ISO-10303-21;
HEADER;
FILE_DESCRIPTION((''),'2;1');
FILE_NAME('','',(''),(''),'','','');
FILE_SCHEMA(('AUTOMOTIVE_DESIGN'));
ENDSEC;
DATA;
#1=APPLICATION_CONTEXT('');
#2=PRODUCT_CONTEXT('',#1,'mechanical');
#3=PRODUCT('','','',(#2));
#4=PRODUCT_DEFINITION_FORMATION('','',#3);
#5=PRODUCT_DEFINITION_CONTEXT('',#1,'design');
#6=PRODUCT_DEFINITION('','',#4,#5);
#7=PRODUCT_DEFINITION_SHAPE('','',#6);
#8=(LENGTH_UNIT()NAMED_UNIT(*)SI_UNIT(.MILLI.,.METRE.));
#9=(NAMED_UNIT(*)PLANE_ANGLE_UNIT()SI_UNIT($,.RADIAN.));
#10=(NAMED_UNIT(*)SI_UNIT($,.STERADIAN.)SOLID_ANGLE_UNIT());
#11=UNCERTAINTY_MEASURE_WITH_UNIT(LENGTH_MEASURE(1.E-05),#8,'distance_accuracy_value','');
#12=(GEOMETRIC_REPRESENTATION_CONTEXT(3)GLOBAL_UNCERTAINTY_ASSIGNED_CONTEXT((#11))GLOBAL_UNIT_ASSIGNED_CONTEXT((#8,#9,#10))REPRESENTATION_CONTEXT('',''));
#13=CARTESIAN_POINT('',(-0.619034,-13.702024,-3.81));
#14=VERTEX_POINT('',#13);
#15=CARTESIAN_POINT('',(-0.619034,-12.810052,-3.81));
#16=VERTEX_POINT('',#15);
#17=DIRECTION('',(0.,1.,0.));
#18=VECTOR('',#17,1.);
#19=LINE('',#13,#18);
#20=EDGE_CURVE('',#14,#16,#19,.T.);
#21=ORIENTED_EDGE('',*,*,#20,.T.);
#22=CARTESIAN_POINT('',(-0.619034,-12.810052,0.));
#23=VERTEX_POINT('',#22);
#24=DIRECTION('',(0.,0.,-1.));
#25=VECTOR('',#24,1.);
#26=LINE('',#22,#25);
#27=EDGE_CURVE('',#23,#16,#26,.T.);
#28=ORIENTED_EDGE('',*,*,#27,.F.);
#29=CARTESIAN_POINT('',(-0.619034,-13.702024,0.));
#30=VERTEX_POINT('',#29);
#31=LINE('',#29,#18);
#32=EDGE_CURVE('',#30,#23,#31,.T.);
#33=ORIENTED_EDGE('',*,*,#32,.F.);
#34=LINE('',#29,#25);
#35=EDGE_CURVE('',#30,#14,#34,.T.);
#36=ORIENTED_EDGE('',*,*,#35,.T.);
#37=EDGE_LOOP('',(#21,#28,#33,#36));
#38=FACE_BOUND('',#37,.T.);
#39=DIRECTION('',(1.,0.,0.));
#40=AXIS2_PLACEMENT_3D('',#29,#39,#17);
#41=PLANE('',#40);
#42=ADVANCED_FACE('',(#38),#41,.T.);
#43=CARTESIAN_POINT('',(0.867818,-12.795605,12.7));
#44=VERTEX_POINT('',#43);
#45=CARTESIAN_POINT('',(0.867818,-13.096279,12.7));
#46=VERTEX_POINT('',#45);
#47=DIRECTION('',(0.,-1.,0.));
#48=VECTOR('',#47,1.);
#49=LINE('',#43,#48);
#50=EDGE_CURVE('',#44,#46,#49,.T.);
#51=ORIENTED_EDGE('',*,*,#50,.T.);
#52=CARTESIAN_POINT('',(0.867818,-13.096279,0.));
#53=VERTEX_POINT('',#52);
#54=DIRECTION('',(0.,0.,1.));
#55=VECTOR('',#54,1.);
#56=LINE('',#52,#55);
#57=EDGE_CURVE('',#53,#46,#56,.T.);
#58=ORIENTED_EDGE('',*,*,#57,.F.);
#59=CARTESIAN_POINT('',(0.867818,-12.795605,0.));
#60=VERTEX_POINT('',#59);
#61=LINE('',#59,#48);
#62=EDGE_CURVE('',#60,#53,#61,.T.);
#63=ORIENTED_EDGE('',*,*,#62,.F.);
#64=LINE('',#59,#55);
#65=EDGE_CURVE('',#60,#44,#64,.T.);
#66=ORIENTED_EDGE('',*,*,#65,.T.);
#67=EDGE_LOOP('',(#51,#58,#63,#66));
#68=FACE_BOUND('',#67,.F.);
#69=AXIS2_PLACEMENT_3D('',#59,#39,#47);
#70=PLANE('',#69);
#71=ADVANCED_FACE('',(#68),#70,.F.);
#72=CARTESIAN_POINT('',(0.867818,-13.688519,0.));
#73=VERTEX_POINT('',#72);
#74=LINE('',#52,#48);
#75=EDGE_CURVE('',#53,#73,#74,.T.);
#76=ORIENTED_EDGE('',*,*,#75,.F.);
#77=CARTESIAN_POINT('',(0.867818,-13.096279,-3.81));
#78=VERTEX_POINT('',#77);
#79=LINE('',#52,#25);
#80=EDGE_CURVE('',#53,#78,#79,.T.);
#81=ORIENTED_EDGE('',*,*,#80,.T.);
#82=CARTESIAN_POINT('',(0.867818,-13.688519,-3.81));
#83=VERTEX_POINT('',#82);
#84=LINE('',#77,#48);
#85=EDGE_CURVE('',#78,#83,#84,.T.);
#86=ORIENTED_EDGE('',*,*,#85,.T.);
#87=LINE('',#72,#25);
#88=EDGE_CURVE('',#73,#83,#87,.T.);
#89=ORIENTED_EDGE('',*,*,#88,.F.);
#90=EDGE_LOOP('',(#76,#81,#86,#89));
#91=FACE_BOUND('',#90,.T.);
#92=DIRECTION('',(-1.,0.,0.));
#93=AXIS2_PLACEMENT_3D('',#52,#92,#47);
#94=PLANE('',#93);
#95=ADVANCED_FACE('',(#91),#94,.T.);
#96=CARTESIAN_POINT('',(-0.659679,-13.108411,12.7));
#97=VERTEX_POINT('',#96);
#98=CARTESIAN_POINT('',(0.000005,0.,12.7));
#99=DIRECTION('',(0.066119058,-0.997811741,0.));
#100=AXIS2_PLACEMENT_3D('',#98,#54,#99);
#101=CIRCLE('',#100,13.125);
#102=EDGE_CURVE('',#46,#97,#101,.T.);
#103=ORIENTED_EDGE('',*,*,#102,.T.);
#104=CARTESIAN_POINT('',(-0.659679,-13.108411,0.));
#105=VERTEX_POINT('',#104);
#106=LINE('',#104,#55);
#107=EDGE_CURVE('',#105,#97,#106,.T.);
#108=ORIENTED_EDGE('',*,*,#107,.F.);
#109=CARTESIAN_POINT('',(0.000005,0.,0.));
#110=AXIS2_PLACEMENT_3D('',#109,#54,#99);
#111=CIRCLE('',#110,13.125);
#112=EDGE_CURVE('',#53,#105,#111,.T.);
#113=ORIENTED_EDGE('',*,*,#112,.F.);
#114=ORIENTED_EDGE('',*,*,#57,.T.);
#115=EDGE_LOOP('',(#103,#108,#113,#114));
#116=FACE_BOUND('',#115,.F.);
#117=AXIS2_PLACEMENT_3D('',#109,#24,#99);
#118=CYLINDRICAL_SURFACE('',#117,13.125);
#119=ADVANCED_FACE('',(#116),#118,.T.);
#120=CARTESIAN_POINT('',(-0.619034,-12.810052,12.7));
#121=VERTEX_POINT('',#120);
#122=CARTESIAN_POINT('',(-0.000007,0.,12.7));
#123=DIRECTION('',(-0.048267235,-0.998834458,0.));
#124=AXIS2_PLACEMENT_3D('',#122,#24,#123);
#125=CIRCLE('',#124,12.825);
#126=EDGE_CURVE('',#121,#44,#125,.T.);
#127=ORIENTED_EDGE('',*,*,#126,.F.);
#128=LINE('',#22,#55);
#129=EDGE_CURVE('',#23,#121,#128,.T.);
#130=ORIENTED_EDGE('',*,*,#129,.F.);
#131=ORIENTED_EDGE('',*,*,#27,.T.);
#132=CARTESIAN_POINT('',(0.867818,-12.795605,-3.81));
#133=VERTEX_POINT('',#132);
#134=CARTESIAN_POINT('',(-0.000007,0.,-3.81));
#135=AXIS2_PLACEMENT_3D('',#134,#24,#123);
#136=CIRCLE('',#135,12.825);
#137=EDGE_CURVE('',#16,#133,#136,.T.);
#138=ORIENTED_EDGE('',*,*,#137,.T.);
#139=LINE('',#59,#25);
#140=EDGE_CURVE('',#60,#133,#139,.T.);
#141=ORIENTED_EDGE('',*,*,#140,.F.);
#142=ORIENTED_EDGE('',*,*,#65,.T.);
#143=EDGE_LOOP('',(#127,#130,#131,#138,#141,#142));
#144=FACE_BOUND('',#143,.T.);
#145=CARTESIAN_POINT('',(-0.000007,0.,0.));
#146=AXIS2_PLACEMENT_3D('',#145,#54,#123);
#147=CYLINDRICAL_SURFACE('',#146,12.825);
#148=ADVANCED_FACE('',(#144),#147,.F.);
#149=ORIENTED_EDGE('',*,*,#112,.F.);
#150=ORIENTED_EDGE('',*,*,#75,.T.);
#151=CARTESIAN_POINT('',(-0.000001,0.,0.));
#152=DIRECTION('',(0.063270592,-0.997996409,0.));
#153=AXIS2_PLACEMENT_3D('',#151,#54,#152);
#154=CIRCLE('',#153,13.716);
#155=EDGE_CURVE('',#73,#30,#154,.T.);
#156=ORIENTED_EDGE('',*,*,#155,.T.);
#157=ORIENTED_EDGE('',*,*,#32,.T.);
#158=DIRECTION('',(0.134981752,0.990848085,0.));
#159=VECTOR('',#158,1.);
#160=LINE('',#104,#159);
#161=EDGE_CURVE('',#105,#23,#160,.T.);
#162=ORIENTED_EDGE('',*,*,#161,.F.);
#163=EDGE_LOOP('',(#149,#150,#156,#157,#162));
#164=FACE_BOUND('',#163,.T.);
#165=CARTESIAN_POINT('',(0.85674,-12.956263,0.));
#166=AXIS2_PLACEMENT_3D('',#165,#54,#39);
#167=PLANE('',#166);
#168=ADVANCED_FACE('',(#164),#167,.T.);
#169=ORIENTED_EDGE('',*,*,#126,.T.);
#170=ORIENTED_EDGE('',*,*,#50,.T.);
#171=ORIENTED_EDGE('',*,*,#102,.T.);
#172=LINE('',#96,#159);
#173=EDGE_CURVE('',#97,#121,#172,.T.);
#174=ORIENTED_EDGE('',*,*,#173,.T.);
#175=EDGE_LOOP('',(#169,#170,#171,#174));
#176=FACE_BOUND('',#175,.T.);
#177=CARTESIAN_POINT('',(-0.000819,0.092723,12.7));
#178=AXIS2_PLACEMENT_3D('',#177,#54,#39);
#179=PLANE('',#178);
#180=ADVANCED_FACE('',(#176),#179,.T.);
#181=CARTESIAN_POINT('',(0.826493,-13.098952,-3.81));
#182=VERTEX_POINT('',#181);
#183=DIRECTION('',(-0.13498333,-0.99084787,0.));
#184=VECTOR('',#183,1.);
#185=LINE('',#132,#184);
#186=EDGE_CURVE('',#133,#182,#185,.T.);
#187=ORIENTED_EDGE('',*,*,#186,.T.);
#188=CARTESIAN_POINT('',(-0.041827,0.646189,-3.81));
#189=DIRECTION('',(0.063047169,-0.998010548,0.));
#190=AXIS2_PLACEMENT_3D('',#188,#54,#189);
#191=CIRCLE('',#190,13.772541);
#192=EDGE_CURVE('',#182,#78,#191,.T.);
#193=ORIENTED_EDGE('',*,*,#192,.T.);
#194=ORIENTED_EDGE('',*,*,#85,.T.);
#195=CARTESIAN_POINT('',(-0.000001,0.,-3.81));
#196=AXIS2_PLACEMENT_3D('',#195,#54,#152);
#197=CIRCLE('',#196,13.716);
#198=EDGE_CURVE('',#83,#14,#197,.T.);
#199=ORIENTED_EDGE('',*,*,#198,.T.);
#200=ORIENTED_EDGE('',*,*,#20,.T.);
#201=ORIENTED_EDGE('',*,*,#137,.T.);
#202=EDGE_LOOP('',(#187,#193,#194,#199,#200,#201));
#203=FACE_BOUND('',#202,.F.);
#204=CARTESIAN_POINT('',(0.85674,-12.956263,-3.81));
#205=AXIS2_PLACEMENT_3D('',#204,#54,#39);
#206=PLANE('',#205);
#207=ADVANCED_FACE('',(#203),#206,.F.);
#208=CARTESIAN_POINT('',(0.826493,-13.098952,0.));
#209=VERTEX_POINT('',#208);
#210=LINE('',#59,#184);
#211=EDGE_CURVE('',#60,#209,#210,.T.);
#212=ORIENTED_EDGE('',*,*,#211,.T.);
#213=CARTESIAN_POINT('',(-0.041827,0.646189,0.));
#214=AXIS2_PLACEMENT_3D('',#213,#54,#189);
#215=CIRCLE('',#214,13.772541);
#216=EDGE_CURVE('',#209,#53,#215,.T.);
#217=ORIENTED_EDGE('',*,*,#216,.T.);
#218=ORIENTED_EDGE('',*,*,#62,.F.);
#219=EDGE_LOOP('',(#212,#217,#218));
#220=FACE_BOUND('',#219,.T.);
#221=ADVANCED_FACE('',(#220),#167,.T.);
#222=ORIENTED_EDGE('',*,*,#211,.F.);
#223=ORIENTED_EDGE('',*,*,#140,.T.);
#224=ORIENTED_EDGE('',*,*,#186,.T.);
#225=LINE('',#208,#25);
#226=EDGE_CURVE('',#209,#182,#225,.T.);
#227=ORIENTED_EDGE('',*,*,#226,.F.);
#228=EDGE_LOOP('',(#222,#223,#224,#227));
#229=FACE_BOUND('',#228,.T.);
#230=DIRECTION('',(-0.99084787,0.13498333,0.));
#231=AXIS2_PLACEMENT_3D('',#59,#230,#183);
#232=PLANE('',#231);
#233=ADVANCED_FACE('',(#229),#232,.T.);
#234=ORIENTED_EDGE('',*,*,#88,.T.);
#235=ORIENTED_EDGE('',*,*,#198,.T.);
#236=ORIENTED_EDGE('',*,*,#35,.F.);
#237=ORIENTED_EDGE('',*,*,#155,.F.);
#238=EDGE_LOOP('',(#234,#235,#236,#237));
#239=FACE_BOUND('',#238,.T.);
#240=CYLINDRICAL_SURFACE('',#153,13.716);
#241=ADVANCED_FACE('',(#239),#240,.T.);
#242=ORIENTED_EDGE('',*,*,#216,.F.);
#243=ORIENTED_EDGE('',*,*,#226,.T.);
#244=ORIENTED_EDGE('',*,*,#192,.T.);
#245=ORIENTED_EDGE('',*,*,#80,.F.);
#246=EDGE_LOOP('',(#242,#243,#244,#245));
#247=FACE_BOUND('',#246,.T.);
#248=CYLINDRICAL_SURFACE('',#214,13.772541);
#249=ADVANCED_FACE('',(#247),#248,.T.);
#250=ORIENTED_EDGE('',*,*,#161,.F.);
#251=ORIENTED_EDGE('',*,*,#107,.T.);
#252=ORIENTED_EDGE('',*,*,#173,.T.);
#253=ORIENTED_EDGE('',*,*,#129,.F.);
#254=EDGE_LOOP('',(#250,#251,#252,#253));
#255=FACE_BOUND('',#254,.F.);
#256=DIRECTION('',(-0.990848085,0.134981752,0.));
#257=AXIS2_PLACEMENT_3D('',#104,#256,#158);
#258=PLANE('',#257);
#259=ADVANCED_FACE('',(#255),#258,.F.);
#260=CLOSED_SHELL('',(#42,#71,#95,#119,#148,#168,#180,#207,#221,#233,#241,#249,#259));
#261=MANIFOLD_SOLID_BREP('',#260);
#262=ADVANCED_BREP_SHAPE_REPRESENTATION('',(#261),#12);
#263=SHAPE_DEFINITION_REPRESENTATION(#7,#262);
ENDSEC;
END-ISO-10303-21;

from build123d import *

# Parameters (mm, degrees)
F1_DEPTH = 12.7
F2_DEPTH = 3.81


with BuildPart() as f1:
    # F0 (on Top) → F1 (new body)
    with BuildSketch(Plane.XY):
        with BuildLine():
            ThreePointArc((-0.619034, -12.810052), (-0.124602, 12.824395), (0.867818, -12.795605))
            Line((0.867818, -12.795605), (0.867818, -13.096279))
            ThreePointArc((0.867818, -13.096279), (-0.104246, 13.124586), (-0.659679, -13.108411))
            Line((-0.659679, -13.108411), (-0.619034, -12.810052))
        make_face()
    extrude(amount=F1_DEPTH)

    # F0 (on Top) → F2 (join)
    with BuildSketch(Plane.XY):
        with BuildLine():
            Line((0.867818, -13.096279), (0.867818, -12.795605))
            Line((0.867818, -12.795605), (0.826493, -13.098952))
            ThreePointArc((0.826493, -13.098952), (0.847157, -13.097631), (0.867818, -13.096279))
        make_face()
        with BuildLine():
            ThreePointArc((-0.619034, -12.810052), (-0.124602, 12.824395), (0.867818, -12.795605))
            Line((0.867818, -12.795605), (0.867818, -13.096279))
            ThreePointArc((0.867818, -13.096279), (-0.104246, 13.124586), (-0.659679, -13.108411))
            Line((-0.659679, -13.108411), (-0.619034, -12.810052))
        make_face()
        with BuildLine():
            Line((-0.619034, -13.702024), (-0.619034, -12.810052))
            Line((-0.619034, -12.810052), (-0.659679, -13.108411))
            ThreePointArc((-0.659679, -13.108411), (-0.104246, 13.124586), (0.867818, -13.096279))
            Line((0.867818, -13.096279), (0.867818, -13.688519))
            ThreePointArc((0.867818, -13.688519), (-0.124575, 13.715434), (-0.619034, -13.702024))
        make_face()
    extrude(amount=-F2_DEPTH)


solid = f1.part
